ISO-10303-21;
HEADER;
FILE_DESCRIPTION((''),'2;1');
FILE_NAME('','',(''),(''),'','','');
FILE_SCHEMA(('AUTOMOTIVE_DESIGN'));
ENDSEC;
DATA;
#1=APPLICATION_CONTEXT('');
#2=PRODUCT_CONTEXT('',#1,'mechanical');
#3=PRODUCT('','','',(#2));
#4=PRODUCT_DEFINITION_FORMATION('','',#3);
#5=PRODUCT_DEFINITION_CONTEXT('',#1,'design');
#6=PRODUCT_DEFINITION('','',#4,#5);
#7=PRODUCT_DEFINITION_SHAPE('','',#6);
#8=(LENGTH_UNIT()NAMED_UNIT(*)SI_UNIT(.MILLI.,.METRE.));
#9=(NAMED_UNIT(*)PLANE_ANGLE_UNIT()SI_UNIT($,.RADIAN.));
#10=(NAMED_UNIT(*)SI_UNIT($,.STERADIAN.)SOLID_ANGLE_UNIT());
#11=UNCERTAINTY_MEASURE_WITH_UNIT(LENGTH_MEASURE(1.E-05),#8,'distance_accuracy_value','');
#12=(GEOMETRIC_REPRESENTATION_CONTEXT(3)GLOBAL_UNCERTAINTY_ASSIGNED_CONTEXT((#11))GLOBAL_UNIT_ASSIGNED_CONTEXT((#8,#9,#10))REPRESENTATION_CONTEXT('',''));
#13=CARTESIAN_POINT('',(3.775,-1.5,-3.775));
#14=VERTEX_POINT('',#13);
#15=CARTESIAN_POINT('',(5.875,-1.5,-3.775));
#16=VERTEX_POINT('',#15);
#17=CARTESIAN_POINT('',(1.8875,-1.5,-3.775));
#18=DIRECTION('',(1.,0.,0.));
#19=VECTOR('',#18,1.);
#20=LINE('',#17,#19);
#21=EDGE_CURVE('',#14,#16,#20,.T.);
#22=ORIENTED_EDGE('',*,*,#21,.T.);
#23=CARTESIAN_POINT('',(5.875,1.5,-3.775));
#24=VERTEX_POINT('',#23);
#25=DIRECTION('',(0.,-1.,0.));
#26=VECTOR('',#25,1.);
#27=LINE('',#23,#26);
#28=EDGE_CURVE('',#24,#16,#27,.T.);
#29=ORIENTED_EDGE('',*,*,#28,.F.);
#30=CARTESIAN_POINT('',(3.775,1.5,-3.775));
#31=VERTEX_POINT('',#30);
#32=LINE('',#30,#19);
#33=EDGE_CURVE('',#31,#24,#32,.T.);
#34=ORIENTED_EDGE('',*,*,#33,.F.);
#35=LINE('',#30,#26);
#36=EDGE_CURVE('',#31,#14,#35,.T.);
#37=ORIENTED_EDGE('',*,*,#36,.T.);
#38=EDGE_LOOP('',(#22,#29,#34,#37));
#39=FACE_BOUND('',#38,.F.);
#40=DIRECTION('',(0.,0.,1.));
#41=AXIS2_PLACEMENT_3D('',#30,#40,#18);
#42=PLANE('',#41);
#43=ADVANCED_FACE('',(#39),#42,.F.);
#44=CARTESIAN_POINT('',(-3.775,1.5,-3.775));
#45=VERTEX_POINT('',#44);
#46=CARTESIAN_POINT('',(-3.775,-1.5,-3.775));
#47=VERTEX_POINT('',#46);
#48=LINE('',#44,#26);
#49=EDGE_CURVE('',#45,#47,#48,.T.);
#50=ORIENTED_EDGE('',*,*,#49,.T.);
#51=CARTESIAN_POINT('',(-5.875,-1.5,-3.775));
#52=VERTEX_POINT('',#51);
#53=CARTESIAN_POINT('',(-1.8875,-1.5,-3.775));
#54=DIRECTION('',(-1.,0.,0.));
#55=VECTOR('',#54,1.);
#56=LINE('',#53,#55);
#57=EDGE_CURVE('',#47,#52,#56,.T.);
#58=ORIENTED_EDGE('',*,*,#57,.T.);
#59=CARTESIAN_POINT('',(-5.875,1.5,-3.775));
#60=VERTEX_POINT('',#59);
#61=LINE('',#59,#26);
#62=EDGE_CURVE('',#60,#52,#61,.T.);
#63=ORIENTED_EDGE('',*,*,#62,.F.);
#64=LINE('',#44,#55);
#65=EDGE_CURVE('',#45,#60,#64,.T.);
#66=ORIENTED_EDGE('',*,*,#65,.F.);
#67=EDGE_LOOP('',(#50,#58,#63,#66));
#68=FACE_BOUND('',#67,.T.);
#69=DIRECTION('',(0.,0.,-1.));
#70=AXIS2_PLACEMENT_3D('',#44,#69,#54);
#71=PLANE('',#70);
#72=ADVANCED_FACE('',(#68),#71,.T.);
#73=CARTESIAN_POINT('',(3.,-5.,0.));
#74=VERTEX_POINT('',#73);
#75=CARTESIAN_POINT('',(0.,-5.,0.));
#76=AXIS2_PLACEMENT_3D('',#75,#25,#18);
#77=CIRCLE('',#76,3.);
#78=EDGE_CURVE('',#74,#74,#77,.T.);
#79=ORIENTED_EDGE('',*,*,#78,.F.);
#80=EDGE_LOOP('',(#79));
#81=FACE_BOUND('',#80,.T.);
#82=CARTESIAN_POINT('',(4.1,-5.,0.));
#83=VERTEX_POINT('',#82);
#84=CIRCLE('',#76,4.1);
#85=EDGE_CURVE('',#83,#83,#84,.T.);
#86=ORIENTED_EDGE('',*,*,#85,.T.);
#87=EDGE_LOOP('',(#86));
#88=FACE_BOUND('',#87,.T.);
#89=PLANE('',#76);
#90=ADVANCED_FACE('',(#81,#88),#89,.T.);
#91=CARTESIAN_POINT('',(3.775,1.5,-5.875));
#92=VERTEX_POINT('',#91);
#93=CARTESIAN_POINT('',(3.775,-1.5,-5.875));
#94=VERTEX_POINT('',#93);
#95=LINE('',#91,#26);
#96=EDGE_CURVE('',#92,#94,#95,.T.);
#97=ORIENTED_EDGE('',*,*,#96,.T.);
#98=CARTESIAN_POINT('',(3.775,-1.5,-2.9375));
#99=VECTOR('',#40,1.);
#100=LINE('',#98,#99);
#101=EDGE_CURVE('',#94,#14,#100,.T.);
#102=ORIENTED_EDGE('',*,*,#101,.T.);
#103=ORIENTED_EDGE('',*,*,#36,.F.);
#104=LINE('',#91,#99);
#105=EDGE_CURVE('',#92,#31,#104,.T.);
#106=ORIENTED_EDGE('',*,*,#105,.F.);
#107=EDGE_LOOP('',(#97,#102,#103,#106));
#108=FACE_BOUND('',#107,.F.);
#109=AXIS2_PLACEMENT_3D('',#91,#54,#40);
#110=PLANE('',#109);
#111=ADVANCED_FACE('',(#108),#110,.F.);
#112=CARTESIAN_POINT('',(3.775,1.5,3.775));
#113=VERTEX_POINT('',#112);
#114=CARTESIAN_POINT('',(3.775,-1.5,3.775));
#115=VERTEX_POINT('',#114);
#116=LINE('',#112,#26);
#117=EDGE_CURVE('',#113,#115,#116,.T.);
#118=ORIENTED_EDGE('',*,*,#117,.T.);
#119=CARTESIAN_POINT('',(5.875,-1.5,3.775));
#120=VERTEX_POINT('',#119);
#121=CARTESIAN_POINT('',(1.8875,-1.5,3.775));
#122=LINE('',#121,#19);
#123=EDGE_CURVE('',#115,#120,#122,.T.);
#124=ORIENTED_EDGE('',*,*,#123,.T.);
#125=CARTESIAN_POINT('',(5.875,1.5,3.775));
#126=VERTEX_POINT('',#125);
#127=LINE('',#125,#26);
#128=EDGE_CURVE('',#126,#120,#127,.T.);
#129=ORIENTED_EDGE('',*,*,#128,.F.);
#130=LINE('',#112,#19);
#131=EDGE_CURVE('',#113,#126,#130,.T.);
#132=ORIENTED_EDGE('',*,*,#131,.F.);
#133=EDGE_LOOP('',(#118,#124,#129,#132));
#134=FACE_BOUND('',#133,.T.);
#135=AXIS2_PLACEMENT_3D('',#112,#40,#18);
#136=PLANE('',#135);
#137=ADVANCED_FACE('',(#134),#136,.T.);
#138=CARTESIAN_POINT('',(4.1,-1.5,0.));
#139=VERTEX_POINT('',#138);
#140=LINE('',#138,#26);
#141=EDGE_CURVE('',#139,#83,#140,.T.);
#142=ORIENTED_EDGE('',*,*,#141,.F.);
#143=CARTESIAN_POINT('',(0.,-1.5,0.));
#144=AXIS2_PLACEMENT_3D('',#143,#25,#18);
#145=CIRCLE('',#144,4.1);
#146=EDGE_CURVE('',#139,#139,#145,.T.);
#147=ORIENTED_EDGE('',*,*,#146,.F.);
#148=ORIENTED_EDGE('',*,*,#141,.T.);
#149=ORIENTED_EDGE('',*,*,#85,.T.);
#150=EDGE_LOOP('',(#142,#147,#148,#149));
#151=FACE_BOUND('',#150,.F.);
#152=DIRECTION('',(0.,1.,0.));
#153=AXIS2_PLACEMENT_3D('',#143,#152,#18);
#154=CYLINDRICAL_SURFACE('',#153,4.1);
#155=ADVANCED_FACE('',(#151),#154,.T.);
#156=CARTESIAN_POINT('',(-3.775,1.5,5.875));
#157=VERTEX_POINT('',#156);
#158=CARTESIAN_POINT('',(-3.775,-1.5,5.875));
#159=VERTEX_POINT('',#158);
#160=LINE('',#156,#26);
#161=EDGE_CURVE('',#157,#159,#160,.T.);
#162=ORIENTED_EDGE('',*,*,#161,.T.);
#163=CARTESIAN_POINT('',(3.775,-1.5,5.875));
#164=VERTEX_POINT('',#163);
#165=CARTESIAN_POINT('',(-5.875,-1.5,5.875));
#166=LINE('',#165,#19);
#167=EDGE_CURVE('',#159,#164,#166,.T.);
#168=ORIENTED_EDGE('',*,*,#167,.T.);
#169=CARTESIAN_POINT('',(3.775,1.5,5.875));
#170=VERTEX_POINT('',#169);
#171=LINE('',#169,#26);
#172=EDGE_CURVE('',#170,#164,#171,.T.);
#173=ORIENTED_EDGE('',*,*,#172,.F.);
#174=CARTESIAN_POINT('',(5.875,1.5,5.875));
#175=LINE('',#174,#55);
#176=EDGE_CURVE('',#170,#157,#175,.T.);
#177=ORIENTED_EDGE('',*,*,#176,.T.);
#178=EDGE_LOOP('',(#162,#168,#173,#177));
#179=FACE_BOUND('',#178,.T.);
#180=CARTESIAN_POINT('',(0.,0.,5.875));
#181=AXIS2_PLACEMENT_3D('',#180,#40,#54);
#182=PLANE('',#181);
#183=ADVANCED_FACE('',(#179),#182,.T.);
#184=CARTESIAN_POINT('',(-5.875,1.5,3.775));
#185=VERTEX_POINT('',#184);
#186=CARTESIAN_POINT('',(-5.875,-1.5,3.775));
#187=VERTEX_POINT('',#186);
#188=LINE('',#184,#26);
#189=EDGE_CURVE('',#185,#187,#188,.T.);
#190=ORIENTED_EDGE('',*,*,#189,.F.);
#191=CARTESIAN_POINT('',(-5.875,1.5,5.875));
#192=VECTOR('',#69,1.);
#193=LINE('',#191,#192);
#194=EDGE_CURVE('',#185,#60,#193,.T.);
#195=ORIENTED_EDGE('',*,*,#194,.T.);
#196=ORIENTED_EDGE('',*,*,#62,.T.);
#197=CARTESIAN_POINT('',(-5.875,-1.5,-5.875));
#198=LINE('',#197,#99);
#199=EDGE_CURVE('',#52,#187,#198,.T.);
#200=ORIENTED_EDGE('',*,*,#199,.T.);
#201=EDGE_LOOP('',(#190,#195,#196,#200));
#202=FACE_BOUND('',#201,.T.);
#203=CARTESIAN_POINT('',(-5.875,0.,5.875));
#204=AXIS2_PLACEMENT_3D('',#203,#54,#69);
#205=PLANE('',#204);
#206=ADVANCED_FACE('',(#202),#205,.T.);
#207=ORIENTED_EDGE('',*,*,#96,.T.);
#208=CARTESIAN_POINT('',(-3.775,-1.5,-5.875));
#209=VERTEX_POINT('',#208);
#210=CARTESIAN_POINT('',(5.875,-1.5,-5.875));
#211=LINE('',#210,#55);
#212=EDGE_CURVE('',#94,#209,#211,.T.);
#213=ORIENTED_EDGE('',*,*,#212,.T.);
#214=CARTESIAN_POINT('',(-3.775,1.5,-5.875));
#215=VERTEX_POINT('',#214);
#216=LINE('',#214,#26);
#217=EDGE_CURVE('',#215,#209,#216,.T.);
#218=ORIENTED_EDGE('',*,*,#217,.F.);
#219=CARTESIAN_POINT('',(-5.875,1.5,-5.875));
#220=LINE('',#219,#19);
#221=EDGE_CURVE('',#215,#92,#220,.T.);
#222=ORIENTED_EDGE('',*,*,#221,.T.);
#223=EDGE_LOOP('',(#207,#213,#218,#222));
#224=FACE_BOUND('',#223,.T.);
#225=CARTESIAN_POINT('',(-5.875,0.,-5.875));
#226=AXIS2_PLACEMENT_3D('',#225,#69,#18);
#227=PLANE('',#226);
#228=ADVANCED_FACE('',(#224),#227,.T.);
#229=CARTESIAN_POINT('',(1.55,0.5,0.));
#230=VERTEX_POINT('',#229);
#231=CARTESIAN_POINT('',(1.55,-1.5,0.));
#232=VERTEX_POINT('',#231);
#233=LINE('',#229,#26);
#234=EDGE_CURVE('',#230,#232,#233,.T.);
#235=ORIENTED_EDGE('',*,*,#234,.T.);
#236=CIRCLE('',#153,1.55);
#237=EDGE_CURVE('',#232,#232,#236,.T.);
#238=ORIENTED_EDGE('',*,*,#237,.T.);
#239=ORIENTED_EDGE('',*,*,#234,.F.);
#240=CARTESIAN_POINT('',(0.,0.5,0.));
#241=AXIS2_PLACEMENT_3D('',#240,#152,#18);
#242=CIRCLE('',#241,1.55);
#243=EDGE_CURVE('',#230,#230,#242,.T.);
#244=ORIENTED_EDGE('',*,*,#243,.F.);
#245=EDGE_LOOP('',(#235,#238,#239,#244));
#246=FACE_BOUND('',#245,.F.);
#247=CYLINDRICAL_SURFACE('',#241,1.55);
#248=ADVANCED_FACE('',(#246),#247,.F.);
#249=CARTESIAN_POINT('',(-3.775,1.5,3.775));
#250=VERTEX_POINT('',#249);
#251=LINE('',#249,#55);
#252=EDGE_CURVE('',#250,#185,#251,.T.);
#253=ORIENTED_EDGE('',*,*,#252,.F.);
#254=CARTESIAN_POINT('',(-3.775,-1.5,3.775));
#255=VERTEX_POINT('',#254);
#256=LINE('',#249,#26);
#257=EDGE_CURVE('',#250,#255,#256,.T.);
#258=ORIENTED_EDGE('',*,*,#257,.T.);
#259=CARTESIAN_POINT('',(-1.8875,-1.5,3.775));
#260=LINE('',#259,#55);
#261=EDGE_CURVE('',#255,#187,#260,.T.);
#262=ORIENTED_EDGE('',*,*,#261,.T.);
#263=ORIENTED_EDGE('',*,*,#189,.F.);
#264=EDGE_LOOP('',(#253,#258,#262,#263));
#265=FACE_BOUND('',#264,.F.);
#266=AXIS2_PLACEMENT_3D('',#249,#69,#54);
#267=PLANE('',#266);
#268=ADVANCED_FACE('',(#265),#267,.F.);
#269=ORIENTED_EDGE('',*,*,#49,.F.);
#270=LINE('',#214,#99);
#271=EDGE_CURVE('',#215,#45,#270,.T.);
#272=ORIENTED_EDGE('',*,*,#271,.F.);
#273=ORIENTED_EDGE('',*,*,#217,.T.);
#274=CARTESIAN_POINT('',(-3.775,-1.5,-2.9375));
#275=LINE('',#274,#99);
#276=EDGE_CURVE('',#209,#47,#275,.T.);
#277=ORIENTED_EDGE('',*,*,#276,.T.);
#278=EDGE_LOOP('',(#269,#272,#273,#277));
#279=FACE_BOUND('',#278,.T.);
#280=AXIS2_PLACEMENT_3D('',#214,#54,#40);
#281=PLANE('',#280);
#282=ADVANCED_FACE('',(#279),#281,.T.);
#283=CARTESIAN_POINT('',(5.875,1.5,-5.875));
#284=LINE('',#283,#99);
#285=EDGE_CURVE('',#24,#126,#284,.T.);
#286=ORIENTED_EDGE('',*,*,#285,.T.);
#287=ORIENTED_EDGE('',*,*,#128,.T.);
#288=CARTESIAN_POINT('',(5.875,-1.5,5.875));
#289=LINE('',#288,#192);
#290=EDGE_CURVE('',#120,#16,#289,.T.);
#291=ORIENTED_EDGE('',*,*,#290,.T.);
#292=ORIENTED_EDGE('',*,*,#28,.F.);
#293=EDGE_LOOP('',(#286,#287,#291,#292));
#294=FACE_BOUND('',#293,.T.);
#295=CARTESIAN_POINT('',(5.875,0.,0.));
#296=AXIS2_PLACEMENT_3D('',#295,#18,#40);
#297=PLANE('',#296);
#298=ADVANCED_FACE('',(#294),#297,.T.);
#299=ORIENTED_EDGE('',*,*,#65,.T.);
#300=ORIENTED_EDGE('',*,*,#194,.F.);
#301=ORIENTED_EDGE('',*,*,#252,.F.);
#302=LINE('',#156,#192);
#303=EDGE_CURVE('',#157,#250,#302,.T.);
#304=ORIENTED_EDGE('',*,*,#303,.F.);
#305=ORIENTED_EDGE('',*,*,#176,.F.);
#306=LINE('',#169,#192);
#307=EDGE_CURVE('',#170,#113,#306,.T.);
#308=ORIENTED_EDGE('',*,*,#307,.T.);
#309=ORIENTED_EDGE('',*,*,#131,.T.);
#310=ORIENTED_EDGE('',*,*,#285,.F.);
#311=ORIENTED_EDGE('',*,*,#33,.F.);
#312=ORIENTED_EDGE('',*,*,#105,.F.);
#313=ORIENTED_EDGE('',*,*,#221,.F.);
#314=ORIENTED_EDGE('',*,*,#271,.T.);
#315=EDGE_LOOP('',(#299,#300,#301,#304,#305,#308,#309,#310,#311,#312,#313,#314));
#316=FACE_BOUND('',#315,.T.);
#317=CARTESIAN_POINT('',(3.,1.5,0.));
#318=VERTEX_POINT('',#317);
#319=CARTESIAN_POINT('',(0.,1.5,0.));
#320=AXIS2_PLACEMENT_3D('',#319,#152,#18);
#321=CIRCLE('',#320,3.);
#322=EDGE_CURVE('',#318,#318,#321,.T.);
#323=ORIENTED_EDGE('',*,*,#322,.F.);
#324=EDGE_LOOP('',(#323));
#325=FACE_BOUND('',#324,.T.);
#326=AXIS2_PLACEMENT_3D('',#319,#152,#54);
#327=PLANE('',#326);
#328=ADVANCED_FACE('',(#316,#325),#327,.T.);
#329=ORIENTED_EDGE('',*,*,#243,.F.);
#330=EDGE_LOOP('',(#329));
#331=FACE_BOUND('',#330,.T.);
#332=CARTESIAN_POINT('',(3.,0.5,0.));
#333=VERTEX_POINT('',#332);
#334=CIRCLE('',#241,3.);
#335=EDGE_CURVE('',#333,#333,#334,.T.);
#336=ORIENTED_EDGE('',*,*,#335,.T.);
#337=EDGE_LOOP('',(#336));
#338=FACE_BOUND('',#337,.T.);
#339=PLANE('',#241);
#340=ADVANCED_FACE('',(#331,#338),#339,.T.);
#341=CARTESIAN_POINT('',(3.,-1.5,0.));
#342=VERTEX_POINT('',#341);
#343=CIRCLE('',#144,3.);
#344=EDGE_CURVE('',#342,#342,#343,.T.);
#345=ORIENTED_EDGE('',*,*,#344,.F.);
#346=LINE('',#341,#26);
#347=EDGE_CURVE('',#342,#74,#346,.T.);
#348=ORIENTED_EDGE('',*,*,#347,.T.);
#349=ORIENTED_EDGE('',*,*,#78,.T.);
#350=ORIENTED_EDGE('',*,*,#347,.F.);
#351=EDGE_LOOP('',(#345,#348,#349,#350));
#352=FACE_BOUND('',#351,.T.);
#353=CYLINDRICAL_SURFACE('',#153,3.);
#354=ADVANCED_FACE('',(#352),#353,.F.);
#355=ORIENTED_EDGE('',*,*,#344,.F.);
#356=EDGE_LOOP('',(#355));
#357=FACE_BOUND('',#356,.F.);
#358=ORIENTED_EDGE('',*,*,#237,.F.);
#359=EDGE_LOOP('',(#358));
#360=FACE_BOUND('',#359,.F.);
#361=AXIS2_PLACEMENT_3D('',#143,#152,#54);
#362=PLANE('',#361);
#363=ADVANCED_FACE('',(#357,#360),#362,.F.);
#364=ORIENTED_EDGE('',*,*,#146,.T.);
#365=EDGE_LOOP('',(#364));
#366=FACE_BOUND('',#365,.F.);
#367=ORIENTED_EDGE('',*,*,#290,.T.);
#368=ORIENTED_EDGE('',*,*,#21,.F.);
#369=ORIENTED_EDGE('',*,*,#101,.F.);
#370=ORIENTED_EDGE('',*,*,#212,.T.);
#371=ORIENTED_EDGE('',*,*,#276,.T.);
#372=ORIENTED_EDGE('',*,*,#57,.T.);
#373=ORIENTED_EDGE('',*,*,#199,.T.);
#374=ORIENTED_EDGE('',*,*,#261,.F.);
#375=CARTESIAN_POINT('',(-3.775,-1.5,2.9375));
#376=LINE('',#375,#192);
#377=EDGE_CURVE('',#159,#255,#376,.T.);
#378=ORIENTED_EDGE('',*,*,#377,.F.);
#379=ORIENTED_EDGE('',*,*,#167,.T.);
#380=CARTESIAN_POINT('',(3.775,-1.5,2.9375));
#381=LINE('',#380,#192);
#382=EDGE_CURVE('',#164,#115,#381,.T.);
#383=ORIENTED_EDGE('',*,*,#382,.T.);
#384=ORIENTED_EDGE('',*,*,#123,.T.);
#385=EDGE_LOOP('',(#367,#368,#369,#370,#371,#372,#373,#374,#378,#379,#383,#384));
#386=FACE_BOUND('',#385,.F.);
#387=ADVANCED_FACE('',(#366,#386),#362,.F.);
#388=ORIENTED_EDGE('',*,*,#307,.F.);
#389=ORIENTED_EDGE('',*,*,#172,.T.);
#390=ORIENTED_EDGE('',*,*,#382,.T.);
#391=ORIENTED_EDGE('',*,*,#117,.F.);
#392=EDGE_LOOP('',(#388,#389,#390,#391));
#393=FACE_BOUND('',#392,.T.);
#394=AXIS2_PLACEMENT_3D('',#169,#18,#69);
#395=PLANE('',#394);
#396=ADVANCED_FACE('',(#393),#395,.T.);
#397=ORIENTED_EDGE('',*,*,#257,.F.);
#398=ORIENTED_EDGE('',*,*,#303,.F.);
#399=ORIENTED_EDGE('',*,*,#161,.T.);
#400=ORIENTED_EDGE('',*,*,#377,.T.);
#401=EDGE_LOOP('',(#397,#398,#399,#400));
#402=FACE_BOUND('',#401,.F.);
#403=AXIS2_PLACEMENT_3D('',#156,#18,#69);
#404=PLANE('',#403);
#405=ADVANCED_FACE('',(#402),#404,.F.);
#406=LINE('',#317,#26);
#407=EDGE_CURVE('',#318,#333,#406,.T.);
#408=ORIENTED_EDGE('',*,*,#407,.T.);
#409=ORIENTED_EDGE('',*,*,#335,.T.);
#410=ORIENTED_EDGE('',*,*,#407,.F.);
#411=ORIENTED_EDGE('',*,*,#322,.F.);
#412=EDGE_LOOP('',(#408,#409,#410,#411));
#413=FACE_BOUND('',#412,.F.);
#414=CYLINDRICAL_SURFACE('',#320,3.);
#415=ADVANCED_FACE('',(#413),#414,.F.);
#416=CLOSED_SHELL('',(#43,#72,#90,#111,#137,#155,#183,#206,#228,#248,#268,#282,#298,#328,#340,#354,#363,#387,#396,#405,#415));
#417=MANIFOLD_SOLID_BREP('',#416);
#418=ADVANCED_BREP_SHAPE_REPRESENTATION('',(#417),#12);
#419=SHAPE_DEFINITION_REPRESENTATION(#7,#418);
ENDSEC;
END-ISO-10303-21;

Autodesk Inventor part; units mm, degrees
ref_plane "YZ Plane" through (0, 0, 0) normal (1, 0, 0) x (0, 1, 0)
ref_plane "XZ Plane" through (0, 0, 0) normal (0, 1, 0) x (-1, 0, 0)
sketch "Skizze1" plane through (0, 0, 0) normal (0, 1, 0) x (-1, 0, 0)
  circle A0 centre (0, 0) radius 3.5
  line L0 (5.875, -5.875) -> (-5.875, -5.875)
  line L1 (-5.875, -5.875) -> (-5.875, 5.875)
  line L2 (-5.875, 5.875) -> (5.875, 5.875)
  line L3 (5.875, 5.875) -> (5.875, -5.875)
  line L4 (8.225, 0) -> (-8.225, 0) projected
  line L5 (0.75, 5.875) -> (-0.75, 5.875)
  line L6 (0, -8.225) -> (0, 8.225) projected
  point P0 (0.75, -5.875)
  point P1 (-5.875, -0.75)
  point P2 (5.875, -0.75)
  dimension "d1" = 7
  dimension "d2" = 11.75
  dimension "d3" = 11.75
extrude "Extrusion1" add sketch "Skizze1" along normal mid plane 3
sketch "Skizze2" plane through (0, 1.5, 0) normal (0, 1, 0) x (1, 0, 0)
  circle A0 centre (0, 0) radius 3
  dimension "d14" = 6
ref_plane "Arbeitsebene1" through (0, -0.5, 0) normal (0, 1, 0) x (1, 0, 0)
sketch "Skizze4" plane through (0, -1.5, 0) normal (0, -1, 0) x (1, 0, 0)
  circle A0 centre (0, 0) radius 3
  circle A1 centre (0, 0) radius 1.4 projected
  circle A2 centre (0, 0) radius 4.1
  dimension "d20" = 6
  dimension "d21" = 8.2
extrude "Extrusion4" add sketch "Skizze4" along normal blind 3.5 contours A2
sketch "Skizze5" plane through (0, 1.5, 0) normal (0, 1, 0) x (1, 0, 0)
  line L0 (-5.875, 5.875) -> (5.875, 5.875) projected
  line L1 (-5.875, 5.875) -> (-3.775, 5.875)
  line L2 (-3.775, 5.875) -> (-3.775, 3.775)
  line L3 (-3.775, 3.775) -> (-5.875, 3.775)
  line L4 (-5.875, 3.775) -> (-5.875, 5.875)
  line L5 (-5.875, 5.875) -> (5.875, 5.875) projected
  line L6 (5.875, 5.875) -> (3.775, 5.875)
  line L7 (3.775, 5.875) -> (3.775, 3.775)
  line L8 (3.775, 3.775) -> (5.875, 3.775)
  line L9 (5.875, 3.775) -> (5.875, 5.875)
  line L10 (-5.875, -5.875) -> (-5.875, 5.875) projected
  line L11 (-5.875, -5.875) -> (-3.775, -5.875)
  line L12 (-3.775, -5.875) -> (-3.775, -3.775)
  line L13 (-3.775, -3.775) -> (-5.875, -3.775)
  line L14 (-5.875, -3.775) -> (-5.875, -5.875)
  line L15 (5.875, -5.875) -> (-5.875, -5.875) projected
  line L16 (5.875, -5.875) -> (3.775, -5.875)
  line L17 (3.775, -5.875) -> (3.775, -3.775)
  line L18 (3.775, -3.775) -> (5.875, -3.775)
  line L19 (5.875, -3.775) -> (5.875, -5.875)
  point P0 (0, 0)
  point P1 (-0.75, 5.75)
  point P2 (0.75, 5.75)
  point P3 (-5.75, -0.75)
  point P4 (0.75, -5.75)
  dimension "d24" = 2.1
  dimension "d25" = 2.1
  dimension "d26" = 2.1
  dimension "d27" = 2.1
  dimension "d28" = 2.1
  dimension "d29" = 2.1
  dimension "d30" = 2.1
  dimension "d31" = 2.1
extrude "Extrusion5" cut sketch "Skizze5" against normal blind 6
extrude "Extrusion6" cut sketch "Skizze2" against normal blind 1
sketch "Skizze6" plane through (0, 0.5, 0) normal (0, 1, 0) x (1, 0, 0)
  circle A0 centre (0, 0) radius 1.55
  dimension "d38" = 3.1
extrude "Extrusion7" cut sketch "Skizze6" against normal up to surface (2 mm away)
properties part number "_3D-Druck"
